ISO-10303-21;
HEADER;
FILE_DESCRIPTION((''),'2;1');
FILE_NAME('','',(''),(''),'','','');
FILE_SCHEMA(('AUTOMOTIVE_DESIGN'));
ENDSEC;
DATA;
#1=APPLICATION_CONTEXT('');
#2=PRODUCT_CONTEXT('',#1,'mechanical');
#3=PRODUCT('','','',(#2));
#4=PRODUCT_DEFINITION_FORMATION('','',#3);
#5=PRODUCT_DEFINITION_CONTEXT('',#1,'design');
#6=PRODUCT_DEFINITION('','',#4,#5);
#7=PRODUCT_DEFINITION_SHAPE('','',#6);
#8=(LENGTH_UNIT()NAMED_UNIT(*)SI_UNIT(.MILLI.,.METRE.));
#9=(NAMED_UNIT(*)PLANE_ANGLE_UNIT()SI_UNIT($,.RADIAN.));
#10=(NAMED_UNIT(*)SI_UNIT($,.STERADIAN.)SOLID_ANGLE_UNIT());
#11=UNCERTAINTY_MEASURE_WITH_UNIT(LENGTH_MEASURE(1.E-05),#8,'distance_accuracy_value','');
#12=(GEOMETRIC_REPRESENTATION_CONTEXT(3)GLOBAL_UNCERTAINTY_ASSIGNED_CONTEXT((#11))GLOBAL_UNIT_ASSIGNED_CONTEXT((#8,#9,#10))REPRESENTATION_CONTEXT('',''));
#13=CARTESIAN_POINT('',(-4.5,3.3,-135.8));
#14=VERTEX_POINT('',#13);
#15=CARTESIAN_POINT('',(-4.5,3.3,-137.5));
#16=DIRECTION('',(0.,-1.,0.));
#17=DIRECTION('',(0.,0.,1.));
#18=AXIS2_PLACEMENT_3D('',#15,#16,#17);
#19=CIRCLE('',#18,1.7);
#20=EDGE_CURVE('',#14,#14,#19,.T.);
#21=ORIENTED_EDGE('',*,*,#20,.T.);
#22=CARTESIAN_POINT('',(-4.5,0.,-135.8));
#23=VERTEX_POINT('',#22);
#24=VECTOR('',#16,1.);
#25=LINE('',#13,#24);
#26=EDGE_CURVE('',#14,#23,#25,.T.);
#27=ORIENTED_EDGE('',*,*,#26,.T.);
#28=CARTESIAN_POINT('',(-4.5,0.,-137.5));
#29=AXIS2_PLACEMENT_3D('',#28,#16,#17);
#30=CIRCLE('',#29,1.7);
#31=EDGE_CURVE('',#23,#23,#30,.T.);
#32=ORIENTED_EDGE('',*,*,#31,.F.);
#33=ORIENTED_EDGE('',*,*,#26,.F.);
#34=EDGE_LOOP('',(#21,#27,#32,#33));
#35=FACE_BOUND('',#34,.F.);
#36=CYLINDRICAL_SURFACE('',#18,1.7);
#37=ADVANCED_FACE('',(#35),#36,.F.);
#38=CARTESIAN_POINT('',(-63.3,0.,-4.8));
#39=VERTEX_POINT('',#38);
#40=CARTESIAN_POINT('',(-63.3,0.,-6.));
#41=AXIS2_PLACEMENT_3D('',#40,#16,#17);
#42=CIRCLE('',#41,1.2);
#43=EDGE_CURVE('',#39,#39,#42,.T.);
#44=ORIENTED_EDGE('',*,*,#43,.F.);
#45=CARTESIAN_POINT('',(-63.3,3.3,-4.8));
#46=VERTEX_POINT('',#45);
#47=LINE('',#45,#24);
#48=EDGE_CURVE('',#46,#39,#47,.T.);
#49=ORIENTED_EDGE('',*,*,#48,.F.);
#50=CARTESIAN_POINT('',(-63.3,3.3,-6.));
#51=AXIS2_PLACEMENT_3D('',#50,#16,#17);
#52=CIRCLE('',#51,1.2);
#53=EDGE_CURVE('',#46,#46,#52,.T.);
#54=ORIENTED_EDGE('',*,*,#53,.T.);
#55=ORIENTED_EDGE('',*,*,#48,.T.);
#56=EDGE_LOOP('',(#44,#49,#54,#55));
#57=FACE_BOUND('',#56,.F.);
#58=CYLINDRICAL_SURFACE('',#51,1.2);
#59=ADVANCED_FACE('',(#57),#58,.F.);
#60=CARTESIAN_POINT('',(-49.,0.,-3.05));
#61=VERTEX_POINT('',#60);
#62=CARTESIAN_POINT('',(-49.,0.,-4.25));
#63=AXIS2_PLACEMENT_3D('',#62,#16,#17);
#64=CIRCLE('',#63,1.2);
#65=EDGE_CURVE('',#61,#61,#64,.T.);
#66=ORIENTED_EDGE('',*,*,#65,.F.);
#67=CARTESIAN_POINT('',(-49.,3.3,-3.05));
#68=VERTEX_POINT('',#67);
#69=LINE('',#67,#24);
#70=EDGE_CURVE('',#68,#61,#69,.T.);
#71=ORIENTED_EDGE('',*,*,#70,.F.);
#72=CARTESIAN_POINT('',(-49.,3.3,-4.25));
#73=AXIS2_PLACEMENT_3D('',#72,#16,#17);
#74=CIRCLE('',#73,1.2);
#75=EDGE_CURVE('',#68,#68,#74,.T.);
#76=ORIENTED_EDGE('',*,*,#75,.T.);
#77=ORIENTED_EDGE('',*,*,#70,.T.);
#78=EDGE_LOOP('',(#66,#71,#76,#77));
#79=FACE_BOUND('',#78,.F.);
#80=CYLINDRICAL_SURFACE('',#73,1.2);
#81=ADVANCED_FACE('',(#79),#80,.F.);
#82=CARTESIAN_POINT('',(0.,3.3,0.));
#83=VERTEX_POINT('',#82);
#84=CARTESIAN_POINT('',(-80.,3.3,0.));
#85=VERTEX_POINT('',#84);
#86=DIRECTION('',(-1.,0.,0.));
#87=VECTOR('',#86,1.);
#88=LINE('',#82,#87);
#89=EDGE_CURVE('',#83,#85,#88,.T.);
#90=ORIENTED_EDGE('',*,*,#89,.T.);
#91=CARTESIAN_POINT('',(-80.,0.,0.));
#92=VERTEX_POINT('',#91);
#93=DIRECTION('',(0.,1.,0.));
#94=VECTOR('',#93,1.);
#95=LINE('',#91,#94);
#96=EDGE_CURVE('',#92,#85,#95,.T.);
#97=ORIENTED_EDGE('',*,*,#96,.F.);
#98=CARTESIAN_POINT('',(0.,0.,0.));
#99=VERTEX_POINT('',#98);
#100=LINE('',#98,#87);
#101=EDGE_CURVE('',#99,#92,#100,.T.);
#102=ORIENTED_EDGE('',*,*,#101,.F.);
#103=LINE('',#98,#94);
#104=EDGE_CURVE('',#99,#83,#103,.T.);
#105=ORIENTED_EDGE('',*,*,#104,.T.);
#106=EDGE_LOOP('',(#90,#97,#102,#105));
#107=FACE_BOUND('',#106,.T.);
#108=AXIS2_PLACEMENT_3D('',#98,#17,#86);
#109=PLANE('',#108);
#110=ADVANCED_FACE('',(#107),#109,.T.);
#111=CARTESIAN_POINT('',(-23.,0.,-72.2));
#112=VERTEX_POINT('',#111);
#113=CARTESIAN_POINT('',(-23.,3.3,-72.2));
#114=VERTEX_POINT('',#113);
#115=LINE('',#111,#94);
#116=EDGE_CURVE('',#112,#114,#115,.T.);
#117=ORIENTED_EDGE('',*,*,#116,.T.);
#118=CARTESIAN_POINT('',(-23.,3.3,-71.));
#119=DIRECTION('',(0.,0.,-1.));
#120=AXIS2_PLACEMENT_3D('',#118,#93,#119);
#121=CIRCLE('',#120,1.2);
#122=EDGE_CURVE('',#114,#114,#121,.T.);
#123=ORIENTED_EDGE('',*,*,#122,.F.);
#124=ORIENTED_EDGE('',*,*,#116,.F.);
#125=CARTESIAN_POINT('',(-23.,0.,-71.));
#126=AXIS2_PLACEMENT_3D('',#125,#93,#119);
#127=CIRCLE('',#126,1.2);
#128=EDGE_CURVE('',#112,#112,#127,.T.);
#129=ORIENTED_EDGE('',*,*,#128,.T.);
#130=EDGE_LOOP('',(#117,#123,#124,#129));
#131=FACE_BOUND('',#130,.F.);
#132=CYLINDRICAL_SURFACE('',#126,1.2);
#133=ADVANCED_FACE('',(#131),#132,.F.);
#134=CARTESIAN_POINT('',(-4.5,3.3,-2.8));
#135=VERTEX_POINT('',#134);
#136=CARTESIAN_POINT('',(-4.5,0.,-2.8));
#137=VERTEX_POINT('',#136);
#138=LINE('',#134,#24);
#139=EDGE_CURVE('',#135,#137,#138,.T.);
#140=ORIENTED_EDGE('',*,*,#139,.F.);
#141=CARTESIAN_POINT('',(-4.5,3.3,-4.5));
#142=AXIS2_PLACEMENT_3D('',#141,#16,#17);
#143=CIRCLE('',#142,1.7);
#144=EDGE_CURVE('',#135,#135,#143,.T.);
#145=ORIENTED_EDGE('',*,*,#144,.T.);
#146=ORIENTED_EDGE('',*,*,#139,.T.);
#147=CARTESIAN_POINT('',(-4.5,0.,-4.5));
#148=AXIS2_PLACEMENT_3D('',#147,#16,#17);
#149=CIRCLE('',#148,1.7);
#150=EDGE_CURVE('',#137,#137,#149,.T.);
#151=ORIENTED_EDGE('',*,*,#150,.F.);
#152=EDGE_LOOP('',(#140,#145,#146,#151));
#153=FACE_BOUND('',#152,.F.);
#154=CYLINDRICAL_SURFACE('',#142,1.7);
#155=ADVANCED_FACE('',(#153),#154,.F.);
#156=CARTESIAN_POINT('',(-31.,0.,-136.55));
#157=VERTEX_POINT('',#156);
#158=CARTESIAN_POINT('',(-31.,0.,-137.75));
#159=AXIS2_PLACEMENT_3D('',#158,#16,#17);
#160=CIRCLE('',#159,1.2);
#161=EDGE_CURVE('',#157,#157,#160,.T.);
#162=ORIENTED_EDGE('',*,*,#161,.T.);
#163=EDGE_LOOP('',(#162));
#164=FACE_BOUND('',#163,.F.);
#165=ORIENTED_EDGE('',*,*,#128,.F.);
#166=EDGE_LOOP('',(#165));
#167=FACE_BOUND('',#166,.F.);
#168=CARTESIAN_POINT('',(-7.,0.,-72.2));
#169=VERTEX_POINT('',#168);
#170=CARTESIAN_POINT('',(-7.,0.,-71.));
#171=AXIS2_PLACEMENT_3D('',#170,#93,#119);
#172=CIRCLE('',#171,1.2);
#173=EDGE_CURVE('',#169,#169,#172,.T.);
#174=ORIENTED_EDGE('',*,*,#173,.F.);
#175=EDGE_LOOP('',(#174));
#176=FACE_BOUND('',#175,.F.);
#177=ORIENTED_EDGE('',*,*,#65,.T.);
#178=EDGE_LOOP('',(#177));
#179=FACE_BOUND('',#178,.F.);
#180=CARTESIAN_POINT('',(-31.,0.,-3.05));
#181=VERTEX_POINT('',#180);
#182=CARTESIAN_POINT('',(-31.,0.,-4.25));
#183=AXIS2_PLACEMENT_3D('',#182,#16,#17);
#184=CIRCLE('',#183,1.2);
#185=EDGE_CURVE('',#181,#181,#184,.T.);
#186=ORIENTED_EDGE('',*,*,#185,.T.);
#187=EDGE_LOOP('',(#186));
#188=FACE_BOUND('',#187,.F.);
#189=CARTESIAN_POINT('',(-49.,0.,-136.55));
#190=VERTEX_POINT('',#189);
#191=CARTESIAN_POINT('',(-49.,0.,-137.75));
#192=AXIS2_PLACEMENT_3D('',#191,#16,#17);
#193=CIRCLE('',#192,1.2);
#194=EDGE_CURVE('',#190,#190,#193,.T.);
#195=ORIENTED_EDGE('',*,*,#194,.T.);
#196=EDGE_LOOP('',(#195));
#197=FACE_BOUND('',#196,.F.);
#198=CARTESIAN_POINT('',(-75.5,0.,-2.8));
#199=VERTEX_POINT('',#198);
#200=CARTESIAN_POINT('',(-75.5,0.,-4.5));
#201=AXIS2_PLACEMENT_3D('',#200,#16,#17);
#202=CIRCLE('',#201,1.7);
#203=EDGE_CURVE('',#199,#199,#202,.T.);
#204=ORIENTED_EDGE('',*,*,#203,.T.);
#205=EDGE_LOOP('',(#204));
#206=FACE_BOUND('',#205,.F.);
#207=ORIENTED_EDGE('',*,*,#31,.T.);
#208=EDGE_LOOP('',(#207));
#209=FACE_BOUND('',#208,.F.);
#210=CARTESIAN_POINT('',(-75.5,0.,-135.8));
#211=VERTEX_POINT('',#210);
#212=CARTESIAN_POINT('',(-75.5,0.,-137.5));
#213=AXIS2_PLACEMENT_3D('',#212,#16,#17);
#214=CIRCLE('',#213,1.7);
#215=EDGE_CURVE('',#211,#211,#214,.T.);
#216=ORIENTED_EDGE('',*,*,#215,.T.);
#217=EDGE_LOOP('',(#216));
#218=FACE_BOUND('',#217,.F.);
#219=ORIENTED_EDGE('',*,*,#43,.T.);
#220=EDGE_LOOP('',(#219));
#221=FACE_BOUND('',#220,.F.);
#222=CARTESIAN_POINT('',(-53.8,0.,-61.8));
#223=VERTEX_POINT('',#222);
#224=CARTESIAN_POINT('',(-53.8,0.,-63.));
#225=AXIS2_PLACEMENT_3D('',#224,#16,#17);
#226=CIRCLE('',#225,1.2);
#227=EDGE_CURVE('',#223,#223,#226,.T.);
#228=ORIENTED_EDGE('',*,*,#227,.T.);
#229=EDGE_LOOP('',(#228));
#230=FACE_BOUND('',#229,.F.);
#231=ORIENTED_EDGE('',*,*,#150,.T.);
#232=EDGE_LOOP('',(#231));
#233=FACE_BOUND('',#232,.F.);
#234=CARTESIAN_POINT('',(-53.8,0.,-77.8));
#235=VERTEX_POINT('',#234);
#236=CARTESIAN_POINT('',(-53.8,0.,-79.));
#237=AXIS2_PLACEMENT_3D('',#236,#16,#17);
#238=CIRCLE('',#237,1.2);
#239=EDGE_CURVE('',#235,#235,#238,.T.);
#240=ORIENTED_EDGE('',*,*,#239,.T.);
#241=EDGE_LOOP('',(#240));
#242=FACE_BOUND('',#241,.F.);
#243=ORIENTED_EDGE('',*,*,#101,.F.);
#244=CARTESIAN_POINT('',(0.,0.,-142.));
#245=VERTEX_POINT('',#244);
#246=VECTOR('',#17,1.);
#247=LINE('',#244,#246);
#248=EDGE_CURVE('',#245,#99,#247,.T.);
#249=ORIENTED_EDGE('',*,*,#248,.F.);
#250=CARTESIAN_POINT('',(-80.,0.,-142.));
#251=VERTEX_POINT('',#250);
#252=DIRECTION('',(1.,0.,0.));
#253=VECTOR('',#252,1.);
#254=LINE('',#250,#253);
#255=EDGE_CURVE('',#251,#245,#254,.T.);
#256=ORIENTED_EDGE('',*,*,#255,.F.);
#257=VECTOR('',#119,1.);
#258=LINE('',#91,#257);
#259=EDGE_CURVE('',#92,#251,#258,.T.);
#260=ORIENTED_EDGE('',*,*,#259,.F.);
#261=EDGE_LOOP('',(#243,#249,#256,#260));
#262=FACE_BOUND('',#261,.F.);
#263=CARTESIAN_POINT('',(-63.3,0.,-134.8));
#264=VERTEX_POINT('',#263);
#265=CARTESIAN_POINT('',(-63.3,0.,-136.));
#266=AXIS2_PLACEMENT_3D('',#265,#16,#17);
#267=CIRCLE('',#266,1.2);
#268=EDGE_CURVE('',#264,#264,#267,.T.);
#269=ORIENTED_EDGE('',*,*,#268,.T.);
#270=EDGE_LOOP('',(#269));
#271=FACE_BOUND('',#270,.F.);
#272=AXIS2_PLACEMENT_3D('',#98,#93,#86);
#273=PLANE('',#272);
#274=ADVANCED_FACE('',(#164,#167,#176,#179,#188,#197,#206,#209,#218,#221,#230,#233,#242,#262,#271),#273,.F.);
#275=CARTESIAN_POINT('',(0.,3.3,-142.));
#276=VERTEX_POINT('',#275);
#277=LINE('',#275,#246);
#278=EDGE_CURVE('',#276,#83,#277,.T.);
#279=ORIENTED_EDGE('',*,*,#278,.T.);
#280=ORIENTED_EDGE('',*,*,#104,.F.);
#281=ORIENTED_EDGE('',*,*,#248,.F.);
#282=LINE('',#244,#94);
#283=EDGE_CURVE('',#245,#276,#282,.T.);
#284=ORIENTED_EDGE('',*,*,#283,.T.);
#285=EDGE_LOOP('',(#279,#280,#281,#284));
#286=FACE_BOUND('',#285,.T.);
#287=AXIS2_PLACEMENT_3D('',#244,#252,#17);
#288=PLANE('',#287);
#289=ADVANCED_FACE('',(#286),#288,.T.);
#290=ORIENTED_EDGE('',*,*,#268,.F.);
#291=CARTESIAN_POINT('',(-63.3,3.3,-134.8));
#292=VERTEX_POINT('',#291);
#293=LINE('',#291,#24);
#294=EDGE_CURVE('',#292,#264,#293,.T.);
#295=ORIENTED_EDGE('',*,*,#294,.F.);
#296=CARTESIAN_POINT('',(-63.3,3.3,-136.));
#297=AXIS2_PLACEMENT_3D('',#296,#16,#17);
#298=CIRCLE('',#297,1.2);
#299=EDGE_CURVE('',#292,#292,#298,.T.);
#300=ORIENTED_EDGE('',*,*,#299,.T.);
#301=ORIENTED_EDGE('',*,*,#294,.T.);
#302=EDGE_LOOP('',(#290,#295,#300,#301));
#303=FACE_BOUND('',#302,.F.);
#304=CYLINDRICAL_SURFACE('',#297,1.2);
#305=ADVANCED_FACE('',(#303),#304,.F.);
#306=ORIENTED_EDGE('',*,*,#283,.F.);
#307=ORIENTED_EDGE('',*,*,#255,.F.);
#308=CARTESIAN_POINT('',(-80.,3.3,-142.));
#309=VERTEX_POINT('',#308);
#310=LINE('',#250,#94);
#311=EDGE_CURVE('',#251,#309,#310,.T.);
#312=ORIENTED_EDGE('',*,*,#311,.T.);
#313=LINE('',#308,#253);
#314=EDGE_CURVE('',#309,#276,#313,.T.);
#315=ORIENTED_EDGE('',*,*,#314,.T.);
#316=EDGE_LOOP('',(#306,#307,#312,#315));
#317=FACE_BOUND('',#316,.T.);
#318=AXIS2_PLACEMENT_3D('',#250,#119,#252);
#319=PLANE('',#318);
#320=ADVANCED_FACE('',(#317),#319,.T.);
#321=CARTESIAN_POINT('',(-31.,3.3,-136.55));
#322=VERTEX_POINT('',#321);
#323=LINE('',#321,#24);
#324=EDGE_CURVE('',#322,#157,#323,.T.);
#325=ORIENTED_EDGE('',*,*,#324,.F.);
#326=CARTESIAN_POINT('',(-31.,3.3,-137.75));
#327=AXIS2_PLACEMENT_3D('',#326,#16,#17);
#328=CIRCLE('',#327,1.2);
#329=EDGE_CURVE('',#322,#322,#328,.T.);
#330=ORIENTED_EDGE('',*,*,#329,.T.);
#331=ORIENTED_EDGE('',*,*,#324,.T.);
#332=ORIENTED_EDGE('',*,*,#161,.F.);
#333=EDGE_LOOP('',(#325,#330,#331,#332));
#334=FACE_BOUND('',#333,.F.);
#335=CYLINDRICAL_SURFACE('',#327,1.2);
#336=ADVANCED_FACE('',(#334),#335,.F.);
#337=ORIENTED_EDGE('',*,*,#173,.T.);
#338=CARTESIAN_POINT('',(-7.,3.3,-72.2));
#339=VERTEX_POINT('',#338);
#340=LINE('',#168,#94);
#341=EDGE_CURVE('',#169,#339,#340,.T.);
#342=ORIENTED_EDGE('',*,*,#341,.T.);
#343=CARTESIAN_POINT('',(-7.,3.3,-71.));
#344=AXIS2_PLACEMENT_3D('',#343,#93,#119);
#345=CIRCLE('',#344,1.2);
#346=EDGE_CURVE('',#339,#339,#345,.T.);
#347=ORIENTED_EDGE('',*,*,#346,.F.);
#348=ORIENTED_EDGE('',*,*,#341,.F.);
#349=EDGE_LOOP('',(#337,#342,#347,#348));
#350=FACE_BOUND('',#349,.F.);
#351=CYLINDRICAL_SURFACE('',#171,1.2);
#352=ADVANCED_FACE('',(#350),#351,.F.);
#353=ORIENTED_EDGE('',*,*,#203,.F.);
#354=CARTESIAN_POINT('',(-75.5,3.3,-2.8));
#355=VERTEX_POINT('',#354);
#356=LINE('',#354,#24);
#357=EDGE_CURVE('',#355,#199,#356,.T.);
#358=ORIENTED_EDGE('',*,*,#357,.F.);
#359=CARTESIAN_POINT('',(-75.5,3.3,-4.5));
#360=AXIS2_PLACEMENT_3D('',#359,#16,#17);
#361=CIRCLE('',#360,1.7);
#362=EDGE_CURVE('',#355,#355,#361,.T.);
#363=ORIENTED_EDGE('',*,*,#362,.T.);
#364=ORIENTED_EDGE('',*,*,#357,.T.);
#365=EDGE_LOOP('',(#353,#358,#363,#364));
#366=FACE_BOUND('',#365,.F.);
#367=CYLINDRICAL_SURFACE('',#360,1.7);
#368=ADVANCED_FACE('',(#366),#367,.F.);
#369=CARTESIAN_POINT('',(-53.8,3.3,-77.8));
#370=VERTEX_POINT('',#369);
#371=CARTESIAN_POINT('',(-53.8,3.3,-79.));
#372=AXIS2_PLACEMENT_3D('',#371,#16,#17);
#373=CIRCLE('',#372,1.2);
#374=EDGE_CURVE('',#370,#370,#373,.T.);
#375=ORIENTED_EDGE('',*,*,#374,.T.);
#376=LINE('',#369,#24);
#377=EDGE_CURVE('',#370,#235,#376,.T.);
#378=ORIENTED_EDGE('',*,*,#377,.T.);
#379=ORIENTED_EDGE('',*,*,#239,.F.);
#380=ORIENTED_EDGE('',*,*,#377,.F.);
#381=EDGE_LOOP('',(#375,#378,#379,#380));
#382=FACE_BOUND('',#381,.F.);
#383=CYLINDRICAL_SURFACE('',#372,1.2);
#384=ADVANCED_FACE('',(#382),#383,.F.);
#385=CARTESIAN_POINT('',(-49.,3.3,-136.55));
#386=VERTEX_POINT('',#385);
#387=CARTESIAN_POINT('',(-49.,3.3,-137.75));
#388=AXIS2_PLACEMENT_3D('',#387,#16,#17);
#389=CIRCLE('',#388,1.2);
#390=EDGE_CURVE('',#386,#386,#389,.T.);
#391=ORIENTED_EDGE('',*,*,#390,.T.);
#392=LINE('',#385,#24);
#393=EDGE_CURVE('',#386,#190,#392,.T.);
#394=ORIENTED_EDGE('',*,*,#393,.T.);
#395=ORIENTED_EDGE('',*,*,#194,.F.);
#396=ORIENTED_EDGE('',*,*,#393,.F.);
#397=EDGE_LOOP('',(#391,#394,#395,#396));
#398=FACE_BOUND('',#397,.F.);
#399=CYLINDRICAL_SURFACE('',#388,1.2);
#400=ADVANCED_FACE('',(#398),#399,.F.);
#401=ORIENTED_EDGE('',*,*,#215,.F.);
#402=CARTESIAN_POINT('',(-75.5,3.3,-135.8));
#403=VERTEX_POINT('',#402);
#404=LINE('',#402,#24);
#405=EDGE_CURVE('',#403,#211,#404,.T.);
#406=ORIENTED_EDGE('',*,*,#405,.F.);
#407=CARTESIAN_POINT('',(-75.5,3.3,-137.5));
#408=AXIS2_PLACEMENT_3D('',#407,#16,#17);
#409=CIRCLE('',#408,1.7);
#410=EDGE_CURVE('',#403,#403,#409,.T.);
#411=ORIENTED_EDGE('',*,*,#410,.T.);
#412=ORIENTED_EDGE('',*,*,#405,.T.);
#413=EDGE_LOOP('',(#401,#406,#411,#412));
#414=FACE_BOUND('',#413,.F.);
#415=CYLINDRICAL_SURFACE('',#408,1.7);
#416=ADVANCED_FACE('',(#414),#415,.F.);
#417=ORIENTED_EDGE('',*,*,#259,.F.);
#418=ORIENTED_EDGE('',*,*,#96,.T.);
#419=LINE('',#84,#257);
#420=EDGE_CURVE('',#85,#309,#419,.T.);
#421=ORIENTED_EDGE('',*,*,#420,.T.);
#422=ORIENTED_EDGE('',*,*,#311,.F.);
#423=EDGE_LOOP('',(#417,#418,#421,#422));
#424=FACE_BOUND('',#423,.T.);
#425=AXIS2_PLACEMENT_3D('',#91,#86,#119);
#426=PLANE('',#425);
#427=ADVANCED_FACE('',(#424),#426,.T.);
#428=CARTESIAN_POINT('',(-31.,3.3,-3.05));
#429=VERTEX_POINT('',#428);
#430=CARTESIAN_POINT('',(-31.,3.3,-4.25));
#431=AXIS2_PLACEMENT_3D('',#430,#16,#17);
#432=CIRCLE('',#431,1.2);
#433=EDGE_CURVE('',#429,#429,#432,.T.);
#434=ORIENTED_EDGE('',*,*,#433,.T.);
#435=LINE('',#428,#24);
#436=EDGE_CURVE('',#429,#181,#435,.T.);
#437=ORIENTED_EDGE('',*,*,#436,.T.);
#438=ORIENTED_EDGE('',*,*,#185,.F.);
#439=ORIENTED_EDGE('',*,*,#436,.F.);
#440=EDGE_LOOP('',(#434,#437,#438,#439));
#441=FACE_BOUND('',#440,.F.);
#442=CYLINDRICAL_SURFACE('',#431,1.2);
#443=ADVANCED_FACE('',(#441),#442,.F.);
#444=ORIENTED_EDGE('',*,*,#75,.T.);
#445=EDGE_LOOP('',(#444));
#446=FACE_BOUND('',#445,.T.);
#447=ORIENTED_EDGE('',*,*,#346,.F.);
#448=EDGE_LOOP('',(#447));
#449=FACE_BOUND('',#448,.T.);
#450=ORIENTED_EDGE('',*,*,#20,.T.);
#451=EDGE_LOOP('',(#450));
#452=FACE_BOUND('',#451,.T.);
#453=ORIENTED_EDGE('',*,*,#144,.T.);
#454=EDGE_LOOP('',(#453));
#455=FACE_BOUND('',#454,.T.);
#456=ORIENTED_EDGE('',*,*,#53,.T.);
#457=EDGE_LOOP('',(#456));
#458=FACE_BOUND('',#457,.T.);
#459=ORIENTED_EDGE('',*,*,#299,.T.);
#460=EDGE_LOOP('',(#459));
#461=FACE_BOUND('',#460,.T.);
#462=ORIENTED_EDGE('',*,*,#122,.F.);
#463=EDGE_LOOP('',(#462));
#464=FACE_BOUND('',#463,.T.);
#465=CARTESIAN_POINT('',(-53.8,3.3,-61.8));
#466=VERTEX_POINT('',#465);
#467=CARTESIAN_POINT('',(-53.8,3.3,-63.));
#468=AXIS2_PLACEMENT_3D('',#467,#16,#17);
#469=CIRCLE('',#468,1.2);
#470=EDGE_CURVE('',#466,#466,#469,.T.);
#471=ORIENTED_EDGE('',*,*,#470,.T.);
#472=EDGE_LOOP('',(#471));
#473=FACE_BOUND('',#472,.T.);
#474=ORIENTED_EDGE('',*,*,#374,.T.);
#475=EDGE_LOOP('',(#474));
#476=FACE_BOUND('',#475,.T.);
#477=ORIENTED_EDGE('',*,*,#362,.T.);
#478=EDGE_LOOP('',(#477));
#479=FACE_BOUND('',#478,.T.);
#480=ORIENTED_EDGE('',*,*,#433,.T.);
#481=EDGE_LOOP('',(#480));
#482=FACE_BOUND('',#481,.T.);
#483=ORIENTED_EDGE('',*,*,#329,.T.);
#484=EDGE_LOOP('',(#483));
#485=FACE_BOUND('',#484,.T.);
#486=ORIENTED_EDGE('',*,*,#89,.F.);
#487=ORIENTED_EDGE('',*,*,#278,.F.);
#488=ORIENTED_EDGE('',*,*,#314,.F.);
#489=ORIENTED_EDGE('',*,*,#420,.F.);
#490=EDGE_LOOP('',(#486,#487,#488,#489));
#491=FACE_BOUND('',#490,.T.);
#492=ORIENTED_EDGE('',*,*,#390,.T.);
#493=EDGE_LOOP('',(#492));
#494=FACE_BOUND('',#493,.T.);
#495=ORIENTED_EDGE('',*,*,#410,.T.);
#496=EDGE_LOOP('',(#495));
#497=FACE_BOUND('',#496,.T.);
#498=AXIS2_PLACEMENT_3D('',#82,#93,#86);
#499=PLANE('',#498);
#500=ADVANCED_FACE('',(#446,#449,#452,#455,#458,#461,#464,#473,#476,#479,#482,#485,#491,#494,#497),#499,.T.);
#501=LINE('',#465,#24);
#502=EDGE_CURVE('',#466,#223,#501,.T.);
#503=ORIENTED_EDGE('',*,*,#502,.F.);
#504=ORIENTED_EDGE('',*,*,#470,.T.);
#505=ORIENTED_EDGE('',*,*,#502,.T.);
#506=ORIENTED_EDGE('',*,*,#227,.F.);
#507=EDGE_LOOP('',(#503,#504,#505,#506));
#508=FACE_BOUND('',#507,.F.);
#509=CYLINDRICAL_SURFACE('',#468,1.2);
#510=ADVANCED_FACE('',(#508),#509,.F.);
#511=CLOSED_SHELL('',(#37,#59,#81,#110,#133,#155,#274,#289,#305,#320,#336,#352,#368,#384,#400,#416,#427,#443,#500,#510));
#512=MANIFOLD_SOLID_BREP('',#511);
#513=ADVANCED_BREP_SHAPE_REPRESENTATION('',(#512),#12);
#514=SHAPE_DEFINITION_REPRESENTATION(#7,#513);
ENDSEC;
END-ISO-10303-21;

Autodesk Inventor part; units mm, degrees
ref_plane "YZ Plane" through (0, 0, 0) normal (1, 0, 0) x (0, 1, 0)
ref_plane "XZ Plane" through (0, 0, 0) normal (0, 1, 0) x (-1, 0, 0)
ref_plane "XY Plane" through (0, 0, 0) normal (0, 0, 1) x (1, 0, 0)
sketch "スケッチ1" plane through (0, 0, 0) normal (0, 1, 0) x (-1, 0, 0)
  line L0 (0, 0) -> (80, 0)
  line L1 (80, 0) -> (80, -142)
  line L2 (80, -142) -> (0, -142)
  line L3 (0, -142) -> (0, 0)
  dimension "d0" = 80
  dimension "d1" = 142
extrude "押し出し1" add sketch "スケッチ1" along normal blind 3.3
hole "穴1" at (-75.5, 3.3, -4.5) direction (0, -1, 0) diameter 3.4 end through all
hole "穴2" at (-4.5, 3.3, -4.5) direction (0, -1, 0) diameter 3.4 end through all
hole "穴3" at (-4.5, 3.3, -137.5) direction (0, -1, 0) diameter 3.4 end through all
hole "穴4" at (-75.5, 3.3, -137.5) direction (0, -1, 0) diameter 3.4 end through all
hole "穴5" at (-49, 3.3, -137.75) direction (0, -1, 0) diameter 2.4 end through all
hole "穴6" at (-31, 3.3, -137.75) direction (0, -1, 0) diameter 2.4 end through all
hole "穴7" at (-31, 3.3, -4.25) direction (0, -1, 0) diameter 2.4 end through all
hole "穴8" at (-49, 3.3, -4.25) direction (0, -1, 0) diameter 2.4 end through all
hole "穴9" at (-7, 0, -71) direction (0, 1, 0) diameter 2.4 end through all
hole "穴10" at (-23, 0, -71) direction (0, 1, 0) diameter 2.4 end through all
sketch "スケッチ3" plane through (0, 3.3, 0) normal (0, 1, 0) x (1, 0, 0)
  line L0 (0, 0) -> (0, 142) projected
  line L1 (0, 71) -> (-80, 71)
  line L2 (-80, 142) -> (-80, 0) projected
hole "穴12" at (-63.3, 3.3, -6) direction (0, -1, 0) diameter 2.4 end through all
hole "穴13" at (-53.8, 3.3, -63) direction (0, -1, 0) diameter 2.4 end through all
sketch "スケッチ4" plane through (0, 3.3, 0) normal (0, 1, 0) x (1, 0, 0)
  circle A0 centre (-63.3, 6) radius 1.2 projected
  circle A1 centre (-53.8, 63) radius 1.2 projected
  line L0 (-80, 0) -> (-80, 142) projected
  line L1 (-80, 71) -> (0, 71)
  point P0 (0, 0)
  point P1 (-63.3, 136)
  point P2 (-53.8, 79)
hole "穴14" at (-63.3, 3.3, -136) at (-53.8, 3.3, -79) direction (0, -1, 0) diameter 2.4 end through all
properties part number "基本板()" material "アルミニウム 5052"
